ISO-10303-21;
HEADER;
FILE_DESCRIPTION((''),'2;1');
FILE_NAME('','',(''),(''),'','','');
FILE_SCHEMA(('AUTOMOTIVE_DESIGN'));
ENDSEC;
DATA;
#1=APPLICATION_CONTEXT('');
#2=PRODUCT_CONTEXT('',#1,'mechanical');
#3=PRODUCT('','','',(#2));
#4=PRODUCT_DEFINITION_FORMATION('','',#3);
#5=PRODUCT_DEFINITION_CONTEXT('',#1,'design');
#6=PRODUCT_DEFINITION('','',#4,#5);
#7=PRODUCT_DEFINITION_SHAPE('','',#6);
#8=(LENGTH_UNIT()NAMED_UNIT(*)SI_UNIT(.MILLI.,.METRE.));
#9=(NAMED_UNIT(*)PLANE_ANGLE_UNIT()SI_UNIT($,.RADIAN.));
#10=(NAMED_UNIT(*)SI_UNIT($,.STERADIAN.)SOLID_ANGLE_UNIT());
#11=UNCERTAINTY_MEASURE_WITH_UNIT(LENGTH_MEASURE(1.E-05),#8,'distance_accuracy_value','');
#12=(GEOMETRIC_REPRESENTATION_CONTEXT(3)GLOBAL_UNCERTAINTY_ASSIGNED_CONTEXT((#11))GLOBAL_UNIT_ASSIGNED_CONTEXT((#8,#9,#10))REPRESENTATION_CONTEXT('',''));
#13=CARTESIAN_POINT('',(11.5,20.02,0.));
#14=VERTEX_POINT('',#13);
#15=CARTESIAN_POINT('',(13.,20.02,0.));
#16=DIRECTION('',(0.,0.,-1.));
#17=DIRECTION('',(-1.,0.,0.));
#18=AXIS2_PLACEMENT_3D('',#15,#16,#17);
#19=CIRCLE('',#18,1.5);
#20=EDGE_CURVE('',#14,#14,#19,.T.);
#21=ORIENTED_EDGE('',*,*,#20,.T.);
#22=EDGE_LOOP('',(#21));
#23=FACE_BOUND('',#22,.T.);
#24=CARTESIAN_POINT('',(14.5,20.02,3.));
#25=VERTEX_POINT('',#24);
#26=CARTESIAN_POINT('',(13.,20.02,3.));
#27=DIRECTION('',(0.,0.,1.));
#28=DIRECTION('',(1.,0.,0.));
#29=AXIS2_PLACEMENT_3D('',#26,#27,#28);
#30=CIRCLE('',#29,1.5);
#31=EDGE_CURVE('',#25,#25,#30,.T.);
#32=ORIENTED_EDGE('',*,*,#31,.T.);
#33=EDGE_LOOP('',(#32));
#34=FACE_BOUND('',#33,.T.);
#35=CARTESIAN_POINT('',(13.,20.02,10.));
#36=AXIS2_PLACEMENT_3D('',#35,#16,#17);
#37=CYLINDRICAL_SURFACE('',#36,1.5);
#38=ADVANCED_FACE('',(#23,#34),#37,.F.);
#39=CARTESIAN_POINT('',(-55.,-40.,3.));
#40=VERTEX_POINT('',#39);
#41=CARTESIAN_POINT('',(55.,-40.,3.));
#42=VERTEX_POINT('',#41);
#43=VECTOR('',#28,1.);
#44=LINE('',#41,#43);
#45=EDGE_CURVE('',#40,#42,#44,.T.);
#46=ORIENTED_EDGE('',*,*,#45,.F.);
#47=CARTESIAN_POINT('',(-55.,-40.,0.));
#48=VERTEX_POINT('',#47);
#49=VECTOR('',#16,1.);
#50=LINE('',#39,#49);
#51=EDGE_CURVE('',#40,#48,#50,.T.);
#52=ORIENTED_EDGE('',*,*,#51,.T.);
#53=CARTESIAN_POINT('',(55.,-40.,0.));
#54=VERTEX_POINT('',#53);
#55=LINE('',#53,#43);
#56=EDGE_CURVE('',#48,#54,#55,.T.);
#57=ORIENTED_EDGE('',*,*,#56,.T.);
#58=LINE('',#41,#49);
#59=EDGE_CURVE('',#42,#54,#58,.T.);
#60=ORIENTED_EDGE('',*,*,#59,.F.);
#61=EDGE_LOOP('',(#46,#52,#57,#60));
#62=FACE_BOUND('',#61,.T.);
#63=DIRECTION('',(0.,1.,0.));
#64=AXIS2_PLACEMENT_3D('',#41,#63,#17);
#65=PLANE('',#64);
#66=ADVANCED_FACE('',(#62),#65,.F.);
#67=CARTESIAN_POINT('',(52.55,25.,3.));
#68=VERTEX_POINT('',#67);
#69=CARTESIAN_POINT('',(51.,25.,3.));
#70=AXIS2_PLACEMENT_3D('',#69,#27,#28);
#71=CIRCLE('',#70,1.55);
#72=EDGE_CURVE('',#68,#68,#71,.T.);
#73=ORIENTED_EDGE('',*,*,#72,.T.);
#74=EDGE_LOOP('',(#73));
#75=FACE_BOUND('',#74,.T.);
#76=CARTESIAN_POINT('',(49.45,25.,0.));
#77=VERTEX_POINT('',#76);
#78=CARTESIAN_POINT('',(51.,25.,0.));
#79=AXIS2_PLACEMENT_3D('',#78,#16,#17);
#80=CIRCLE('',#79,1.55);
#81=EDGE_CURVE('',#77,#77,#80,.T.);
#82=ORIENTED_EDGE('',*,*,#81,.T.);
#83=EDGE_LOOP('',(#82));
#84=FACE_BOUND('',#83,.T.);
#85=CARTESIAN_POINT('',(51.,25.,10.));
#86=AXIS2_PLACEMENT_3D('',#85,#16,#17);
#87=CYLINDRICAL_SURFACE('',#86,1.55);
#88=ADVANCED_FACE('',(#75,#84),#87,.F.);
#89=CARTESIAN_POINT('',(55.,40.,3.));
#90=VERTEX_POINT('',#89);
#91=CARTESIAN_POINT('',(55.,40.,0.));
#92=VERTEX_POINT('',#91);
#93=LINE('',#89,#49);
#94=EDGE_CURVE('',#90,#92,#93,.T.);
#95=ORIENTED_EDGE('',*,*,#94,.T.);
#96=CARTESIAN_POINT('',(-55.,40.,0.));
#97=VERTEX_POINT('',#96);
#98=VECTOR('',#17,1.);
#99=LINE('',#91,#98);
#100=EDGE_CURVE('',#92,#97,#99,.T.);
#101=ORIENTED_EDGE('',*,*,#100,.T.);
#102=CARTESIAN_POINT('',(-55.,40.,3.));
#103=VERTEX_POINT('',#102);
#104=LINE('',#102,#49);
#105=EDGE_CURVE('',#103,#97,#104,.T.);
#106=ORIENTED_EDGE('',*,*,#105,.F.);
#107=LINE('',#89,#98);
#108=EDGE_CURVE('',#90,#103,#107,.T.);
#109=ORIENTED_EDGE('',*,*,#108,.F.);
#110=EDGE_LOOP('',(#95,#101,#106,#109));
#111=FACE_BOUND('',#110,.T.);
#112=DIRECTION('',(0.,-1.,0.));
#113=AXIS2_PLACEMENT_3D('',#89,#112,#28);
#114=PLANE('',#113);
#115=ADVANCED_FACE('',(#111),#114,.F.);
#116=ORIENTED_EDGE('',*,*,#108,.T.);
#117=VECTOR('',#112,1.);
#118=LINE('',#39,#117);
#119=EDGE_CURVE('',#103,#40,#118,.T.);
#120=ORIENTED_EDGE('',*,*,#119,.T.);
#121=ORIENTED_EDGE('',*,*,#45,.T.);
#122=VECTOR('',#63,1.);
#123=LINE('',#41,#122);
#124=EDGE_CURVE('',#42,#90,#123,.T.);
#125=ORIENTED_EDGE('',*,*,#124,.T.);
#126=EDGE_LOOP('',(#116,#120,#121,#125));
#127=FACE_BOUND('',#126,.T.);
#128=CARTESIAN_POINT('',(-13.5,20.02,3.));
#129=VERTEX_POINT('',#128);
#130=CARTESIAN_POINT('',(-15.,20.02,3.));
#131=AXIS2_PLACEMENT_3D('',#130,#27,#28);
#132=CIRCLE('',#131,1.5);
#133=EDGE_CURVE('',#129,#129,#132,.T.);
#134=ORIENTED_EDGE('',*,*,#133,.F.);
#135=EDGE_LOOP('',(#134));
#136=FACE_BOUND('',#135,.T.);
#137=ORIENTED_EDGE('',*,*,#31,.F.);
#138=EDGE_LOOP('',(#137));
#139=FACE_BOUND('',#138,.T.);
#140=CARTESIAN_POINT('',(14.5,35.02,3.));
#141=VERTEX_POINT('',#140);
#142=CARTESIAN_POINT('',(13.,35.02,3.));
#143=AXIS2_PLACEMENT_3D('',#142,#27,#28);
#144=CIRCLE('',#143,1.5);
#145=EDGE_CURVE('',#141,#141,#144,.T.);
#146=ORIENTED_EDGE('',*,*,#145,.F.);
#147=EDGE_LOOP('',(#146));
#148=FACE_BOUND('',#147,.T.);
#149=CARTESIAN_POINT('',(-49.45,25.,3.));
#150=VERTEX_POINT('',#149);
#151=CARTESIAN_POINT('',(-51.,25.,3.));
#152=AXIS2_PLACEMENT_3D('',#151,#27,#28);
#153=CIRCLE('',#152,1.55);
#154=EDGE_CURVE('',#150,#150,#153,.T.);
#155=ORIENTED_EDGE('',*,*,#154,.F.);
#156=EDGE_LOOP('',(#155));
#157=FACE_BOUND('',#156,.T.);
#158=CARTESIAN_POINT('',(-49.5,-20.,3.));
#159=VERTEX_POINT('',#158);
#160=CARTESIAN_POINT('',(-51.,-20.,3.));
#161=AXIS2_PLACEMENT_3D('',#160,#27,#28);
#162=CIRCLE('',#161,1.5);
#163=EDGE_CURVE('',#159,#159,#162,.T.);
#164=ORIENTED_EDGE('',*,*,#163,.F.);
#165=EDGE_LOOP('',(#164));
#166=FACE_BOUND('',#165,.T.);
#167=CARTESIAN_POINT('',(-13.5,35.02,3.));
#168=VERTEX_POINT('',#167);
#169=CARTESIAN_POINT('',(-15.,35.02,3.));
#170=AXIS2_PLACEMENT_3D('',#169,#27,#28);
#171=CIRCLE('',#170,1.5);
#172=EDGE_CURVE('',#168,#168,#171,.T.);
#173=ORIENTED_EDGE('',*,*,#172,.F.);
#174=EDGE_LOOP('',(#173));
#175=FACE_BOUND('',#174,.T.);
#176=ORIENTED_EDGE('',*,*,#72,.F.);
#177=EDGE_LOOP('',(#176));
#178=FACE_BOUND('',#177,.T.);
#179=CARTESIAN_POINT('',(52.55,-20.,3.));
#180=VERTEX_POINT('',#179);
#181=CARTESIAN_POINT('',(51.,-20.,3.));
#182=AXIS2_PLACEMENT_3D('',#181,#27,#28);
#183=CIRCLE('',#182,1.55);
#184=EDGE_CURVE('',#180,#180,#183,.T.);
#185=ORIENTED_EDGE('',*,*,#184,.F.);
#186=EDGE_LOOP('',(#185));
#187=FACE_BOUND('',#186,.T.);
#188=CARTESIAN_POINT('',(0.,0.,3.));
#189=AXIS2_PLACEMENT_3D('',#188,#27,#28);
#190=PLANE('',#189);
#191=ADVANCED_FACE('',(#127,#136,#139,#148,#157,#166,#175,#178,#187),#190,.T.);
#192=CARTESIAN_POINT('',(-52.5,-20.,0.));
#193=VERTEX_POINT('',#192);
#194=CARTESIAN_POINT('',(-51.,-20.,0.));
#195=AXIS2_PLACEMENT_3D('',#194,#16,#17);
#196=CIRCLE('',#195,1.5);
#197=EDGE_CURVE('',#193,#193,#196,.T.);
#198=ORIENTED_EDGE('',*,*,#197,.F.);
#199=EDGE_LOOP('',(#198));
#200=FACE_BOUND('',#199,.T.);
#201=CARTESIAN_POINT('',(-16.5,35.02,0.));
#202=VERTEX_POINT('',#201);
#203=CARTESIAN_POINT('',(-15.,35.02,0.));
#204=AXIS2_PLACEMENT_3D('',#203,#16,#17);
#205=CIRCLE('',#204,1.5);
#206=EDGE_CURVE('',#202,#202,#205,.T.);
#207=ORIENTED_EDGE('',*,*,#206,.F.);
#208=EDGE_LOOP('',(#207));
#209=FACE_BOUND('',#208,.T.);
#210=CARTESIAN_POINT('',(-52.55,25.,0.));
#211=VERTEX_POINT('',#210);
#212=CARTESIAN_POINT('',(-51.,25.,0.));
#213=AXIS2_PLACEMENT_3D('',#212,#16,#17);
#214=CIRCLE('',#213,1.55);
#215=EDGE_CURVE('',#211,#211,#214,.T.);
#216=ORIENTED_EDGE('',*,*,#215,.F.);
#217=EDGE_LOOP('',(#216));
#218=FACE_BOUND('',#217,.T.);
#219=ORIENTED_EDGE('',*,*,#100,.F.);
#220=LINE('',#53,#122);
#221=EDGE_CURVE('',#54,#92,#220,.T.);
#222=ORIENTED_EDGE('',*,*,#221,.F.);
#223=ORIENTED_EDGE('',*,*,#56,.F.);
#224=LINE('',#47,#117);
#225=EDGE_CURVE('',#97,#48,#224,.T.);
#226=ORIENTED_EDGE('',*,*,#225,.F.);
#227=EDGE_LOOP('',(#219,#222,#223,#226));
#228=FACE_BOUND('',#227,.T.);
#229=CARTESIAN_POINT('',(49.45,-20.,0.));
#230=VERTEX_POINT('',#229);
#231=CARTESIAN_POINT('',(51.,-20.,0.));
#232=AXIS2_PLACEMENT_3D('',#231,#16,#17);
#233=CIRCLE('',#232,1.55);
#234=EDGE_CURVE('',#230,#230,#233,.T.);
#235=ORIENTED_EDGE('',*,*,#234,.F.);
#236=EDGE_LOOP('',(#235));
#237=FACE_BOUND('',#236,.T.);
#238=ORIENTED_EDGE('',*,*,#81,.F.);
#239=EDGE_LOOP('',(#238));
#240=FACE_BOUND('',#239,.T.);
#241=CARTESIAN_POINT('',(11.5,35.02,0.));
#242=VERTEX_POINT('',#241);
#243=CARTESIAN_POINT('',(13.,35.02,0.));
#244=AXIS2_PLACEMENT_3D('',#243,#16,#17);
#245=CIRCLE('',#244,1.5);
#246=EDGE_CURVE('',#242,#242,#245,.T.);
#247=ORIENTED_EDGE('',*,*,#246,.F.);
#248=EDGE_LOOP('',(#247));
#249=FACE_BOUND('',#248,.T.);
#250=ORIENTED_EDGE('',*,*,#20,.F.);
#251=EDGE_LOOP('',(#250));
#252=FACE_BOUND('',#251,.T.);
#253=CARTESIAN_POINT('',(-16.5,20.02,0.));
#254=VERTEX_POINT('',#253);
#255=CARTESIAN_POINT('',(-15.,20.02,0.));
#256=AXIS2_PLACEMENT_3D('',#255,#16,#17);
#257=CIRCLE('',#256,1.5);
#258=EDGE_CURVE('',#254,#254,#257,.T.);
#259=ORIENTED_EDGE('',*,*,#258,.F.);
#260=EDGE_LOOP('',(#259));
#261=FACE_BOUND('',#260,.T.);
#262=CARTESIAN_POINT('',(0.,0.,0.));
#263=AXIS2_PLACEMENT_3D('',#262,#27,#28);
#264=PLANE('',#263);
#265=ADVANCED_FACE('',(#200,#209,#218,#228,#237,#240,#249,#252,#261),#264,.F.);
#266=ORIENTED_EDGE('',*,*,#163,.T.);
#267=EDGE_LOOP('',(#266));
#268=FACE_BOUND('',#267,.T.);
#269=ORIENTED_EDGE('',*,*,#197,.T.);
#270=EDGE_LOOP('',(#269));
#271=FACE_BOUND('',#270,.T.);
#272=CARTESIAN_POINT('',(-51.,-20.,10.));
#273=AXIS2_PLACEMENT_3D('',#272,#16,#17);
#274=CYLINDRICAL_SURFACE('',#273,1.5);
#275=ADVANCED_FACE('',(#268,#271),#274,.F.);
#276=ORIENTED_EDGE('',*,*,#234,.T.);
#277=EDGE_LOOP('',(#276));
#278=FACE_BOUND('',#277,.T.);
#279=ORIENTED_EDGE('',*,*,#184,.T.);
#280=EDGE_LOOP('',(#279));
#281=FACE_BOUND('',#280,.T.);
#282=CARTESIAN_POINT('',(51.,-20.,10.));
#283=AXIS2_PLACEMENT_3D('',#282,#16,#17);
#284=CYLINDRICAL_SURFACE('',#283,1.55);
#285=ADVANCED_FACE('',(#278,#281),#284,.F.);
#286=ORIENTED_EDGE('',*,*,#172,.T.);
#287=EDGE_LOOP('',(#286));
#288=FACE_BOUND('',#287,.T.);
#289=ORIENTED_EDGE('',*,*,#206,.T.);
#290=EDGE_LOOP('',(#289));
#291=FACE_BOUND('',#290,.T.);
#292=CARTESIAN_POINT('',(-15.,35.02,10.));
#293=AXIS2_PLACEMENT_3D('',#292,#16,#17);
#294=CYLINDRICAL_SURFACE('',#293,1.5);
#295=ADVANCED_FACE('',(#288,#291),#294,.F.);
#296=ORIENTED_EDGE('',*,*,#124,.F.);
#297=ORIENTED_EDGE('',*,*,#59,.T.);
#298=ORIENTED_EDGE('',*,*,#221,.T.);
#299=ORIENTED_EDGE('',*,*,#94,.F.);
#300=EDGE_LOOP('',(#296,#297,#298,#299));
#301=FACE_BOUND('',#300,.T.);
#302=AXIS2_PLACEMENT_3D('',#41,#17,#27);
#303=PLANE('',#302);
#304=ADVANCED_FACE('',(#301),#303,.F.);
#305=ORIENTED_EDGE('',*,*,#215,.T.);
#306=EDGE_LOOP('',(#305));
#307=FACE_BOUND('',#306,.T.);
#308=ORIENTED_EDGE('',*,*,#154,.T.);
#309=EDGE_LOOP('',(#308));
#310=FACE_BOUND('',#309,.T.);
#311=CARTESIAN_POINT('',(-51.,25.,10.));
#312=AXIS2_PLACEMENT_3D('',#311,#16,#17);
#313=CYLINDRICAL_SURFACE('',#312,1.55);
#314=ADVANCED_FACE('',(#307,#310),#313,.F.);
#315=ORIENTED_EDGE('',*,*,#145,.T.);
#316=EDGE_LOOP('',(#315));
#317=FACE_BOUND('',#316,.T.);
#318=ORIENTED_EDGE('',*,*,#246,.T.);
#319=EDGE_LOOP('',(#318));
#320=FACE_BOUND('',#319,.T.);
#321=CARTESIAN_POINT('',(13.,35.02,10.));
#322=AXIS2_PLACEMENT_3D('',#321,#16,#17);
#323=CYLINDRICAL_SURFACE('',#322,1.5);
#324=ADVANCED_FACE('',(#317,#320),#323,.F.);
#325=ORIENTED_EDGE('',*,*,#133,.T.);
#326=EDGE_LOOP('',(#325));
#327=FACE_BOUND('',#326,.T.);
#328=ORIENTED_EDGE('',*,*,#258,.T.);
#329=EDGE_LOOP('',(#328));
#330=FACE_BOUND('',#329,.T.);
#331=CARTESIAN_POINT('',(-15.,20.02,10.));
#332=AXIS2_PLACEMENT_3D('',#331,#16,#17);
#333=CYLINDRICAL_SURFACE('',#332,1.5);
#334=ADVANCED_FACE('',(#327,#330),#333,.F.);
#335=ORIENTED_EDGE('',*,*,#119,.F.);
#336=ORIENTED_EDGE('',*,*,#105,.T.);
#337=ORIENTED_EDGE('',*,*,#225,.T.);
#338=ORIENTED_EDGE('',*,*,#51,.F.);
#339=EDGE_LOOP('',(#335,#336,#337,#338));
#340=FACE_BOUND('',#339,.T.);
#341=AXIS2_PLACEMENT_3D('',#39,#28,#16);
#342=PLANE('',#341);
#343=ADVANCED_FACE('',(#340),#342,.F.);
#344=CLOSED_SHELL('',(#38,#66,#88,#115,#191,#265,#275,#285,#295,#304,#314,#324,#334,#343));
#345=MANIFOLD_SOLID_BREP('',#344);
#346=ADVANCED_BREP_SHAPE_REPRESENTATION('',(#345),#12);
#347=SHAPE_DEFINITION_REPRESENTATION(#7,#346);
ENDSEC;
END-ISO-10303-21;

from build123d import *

# Parameters (mm, degrees)
SKETCH_1_W          = 110
SKETCH_1_H          = 80
EXTRUDE_1_DEPTH     = 3
SKETCH_2_R          = 1.5
CUT_EXTRUDE_1_DEPTH = 10
SKETCH_3_R          = 1.55
SKETCH_3_R_2        = 1.5
CUT_EXTRUDE_2_DEPTH = 10


with BuildPart() as part:
    # 草图1 → 凸台-拉伸1 (new body)
    with BuildSketch(Plane.XY):
        Rectangle(SKETCH_1_W, SKETCH_1_H)
    extrude(amount=EXTRUDE_1_DEPTH)

    # 草图2 → 切除-拉伸1 (cut)
    with BuildSketch(Plane(origin=(0, 0, 0), x_dir=(-1, 0, 0), z_dir=(0, 0, -1))):
        with Locations((-13, 20.02)):
            Circle(SKETCH_2_R)
        with Locations((-13, 35.02)):
            Circle(SKETCH_2_R)
        with Locations((15, 20.02)):
            Circle(SKETCH_2_R)
        with Locations((15, 35.02)):
            Circle(SKETCH_2_R)
    extrude(amount=-CUT_EXTRUDE_1_DEPTH, mode=Mode.SUBTRACT)

    # 草图3 → 切除-拉伸2 (cut)
    with BuildSketch(Plane(origin=(0, 0, 0), x_dir=(-1, 0, 0), z_dir=(0, 0, -1))):
        with Locations((-51, -20)):
            Circle(SKETCH_3_R)
        with Locations((-51, 25)):
            Circle(SKETCH_3_R)
        with Locations((51, -20)):
            Circle(SKETCH_3_R_2)
        with Locations((51, 25)):
            Circle(SKETCH_3_R)
    extrude(amount=-CUT_EXTRUDE_2_DEPTH, mode=Mode.SUBTRACT)


solid = part.part
